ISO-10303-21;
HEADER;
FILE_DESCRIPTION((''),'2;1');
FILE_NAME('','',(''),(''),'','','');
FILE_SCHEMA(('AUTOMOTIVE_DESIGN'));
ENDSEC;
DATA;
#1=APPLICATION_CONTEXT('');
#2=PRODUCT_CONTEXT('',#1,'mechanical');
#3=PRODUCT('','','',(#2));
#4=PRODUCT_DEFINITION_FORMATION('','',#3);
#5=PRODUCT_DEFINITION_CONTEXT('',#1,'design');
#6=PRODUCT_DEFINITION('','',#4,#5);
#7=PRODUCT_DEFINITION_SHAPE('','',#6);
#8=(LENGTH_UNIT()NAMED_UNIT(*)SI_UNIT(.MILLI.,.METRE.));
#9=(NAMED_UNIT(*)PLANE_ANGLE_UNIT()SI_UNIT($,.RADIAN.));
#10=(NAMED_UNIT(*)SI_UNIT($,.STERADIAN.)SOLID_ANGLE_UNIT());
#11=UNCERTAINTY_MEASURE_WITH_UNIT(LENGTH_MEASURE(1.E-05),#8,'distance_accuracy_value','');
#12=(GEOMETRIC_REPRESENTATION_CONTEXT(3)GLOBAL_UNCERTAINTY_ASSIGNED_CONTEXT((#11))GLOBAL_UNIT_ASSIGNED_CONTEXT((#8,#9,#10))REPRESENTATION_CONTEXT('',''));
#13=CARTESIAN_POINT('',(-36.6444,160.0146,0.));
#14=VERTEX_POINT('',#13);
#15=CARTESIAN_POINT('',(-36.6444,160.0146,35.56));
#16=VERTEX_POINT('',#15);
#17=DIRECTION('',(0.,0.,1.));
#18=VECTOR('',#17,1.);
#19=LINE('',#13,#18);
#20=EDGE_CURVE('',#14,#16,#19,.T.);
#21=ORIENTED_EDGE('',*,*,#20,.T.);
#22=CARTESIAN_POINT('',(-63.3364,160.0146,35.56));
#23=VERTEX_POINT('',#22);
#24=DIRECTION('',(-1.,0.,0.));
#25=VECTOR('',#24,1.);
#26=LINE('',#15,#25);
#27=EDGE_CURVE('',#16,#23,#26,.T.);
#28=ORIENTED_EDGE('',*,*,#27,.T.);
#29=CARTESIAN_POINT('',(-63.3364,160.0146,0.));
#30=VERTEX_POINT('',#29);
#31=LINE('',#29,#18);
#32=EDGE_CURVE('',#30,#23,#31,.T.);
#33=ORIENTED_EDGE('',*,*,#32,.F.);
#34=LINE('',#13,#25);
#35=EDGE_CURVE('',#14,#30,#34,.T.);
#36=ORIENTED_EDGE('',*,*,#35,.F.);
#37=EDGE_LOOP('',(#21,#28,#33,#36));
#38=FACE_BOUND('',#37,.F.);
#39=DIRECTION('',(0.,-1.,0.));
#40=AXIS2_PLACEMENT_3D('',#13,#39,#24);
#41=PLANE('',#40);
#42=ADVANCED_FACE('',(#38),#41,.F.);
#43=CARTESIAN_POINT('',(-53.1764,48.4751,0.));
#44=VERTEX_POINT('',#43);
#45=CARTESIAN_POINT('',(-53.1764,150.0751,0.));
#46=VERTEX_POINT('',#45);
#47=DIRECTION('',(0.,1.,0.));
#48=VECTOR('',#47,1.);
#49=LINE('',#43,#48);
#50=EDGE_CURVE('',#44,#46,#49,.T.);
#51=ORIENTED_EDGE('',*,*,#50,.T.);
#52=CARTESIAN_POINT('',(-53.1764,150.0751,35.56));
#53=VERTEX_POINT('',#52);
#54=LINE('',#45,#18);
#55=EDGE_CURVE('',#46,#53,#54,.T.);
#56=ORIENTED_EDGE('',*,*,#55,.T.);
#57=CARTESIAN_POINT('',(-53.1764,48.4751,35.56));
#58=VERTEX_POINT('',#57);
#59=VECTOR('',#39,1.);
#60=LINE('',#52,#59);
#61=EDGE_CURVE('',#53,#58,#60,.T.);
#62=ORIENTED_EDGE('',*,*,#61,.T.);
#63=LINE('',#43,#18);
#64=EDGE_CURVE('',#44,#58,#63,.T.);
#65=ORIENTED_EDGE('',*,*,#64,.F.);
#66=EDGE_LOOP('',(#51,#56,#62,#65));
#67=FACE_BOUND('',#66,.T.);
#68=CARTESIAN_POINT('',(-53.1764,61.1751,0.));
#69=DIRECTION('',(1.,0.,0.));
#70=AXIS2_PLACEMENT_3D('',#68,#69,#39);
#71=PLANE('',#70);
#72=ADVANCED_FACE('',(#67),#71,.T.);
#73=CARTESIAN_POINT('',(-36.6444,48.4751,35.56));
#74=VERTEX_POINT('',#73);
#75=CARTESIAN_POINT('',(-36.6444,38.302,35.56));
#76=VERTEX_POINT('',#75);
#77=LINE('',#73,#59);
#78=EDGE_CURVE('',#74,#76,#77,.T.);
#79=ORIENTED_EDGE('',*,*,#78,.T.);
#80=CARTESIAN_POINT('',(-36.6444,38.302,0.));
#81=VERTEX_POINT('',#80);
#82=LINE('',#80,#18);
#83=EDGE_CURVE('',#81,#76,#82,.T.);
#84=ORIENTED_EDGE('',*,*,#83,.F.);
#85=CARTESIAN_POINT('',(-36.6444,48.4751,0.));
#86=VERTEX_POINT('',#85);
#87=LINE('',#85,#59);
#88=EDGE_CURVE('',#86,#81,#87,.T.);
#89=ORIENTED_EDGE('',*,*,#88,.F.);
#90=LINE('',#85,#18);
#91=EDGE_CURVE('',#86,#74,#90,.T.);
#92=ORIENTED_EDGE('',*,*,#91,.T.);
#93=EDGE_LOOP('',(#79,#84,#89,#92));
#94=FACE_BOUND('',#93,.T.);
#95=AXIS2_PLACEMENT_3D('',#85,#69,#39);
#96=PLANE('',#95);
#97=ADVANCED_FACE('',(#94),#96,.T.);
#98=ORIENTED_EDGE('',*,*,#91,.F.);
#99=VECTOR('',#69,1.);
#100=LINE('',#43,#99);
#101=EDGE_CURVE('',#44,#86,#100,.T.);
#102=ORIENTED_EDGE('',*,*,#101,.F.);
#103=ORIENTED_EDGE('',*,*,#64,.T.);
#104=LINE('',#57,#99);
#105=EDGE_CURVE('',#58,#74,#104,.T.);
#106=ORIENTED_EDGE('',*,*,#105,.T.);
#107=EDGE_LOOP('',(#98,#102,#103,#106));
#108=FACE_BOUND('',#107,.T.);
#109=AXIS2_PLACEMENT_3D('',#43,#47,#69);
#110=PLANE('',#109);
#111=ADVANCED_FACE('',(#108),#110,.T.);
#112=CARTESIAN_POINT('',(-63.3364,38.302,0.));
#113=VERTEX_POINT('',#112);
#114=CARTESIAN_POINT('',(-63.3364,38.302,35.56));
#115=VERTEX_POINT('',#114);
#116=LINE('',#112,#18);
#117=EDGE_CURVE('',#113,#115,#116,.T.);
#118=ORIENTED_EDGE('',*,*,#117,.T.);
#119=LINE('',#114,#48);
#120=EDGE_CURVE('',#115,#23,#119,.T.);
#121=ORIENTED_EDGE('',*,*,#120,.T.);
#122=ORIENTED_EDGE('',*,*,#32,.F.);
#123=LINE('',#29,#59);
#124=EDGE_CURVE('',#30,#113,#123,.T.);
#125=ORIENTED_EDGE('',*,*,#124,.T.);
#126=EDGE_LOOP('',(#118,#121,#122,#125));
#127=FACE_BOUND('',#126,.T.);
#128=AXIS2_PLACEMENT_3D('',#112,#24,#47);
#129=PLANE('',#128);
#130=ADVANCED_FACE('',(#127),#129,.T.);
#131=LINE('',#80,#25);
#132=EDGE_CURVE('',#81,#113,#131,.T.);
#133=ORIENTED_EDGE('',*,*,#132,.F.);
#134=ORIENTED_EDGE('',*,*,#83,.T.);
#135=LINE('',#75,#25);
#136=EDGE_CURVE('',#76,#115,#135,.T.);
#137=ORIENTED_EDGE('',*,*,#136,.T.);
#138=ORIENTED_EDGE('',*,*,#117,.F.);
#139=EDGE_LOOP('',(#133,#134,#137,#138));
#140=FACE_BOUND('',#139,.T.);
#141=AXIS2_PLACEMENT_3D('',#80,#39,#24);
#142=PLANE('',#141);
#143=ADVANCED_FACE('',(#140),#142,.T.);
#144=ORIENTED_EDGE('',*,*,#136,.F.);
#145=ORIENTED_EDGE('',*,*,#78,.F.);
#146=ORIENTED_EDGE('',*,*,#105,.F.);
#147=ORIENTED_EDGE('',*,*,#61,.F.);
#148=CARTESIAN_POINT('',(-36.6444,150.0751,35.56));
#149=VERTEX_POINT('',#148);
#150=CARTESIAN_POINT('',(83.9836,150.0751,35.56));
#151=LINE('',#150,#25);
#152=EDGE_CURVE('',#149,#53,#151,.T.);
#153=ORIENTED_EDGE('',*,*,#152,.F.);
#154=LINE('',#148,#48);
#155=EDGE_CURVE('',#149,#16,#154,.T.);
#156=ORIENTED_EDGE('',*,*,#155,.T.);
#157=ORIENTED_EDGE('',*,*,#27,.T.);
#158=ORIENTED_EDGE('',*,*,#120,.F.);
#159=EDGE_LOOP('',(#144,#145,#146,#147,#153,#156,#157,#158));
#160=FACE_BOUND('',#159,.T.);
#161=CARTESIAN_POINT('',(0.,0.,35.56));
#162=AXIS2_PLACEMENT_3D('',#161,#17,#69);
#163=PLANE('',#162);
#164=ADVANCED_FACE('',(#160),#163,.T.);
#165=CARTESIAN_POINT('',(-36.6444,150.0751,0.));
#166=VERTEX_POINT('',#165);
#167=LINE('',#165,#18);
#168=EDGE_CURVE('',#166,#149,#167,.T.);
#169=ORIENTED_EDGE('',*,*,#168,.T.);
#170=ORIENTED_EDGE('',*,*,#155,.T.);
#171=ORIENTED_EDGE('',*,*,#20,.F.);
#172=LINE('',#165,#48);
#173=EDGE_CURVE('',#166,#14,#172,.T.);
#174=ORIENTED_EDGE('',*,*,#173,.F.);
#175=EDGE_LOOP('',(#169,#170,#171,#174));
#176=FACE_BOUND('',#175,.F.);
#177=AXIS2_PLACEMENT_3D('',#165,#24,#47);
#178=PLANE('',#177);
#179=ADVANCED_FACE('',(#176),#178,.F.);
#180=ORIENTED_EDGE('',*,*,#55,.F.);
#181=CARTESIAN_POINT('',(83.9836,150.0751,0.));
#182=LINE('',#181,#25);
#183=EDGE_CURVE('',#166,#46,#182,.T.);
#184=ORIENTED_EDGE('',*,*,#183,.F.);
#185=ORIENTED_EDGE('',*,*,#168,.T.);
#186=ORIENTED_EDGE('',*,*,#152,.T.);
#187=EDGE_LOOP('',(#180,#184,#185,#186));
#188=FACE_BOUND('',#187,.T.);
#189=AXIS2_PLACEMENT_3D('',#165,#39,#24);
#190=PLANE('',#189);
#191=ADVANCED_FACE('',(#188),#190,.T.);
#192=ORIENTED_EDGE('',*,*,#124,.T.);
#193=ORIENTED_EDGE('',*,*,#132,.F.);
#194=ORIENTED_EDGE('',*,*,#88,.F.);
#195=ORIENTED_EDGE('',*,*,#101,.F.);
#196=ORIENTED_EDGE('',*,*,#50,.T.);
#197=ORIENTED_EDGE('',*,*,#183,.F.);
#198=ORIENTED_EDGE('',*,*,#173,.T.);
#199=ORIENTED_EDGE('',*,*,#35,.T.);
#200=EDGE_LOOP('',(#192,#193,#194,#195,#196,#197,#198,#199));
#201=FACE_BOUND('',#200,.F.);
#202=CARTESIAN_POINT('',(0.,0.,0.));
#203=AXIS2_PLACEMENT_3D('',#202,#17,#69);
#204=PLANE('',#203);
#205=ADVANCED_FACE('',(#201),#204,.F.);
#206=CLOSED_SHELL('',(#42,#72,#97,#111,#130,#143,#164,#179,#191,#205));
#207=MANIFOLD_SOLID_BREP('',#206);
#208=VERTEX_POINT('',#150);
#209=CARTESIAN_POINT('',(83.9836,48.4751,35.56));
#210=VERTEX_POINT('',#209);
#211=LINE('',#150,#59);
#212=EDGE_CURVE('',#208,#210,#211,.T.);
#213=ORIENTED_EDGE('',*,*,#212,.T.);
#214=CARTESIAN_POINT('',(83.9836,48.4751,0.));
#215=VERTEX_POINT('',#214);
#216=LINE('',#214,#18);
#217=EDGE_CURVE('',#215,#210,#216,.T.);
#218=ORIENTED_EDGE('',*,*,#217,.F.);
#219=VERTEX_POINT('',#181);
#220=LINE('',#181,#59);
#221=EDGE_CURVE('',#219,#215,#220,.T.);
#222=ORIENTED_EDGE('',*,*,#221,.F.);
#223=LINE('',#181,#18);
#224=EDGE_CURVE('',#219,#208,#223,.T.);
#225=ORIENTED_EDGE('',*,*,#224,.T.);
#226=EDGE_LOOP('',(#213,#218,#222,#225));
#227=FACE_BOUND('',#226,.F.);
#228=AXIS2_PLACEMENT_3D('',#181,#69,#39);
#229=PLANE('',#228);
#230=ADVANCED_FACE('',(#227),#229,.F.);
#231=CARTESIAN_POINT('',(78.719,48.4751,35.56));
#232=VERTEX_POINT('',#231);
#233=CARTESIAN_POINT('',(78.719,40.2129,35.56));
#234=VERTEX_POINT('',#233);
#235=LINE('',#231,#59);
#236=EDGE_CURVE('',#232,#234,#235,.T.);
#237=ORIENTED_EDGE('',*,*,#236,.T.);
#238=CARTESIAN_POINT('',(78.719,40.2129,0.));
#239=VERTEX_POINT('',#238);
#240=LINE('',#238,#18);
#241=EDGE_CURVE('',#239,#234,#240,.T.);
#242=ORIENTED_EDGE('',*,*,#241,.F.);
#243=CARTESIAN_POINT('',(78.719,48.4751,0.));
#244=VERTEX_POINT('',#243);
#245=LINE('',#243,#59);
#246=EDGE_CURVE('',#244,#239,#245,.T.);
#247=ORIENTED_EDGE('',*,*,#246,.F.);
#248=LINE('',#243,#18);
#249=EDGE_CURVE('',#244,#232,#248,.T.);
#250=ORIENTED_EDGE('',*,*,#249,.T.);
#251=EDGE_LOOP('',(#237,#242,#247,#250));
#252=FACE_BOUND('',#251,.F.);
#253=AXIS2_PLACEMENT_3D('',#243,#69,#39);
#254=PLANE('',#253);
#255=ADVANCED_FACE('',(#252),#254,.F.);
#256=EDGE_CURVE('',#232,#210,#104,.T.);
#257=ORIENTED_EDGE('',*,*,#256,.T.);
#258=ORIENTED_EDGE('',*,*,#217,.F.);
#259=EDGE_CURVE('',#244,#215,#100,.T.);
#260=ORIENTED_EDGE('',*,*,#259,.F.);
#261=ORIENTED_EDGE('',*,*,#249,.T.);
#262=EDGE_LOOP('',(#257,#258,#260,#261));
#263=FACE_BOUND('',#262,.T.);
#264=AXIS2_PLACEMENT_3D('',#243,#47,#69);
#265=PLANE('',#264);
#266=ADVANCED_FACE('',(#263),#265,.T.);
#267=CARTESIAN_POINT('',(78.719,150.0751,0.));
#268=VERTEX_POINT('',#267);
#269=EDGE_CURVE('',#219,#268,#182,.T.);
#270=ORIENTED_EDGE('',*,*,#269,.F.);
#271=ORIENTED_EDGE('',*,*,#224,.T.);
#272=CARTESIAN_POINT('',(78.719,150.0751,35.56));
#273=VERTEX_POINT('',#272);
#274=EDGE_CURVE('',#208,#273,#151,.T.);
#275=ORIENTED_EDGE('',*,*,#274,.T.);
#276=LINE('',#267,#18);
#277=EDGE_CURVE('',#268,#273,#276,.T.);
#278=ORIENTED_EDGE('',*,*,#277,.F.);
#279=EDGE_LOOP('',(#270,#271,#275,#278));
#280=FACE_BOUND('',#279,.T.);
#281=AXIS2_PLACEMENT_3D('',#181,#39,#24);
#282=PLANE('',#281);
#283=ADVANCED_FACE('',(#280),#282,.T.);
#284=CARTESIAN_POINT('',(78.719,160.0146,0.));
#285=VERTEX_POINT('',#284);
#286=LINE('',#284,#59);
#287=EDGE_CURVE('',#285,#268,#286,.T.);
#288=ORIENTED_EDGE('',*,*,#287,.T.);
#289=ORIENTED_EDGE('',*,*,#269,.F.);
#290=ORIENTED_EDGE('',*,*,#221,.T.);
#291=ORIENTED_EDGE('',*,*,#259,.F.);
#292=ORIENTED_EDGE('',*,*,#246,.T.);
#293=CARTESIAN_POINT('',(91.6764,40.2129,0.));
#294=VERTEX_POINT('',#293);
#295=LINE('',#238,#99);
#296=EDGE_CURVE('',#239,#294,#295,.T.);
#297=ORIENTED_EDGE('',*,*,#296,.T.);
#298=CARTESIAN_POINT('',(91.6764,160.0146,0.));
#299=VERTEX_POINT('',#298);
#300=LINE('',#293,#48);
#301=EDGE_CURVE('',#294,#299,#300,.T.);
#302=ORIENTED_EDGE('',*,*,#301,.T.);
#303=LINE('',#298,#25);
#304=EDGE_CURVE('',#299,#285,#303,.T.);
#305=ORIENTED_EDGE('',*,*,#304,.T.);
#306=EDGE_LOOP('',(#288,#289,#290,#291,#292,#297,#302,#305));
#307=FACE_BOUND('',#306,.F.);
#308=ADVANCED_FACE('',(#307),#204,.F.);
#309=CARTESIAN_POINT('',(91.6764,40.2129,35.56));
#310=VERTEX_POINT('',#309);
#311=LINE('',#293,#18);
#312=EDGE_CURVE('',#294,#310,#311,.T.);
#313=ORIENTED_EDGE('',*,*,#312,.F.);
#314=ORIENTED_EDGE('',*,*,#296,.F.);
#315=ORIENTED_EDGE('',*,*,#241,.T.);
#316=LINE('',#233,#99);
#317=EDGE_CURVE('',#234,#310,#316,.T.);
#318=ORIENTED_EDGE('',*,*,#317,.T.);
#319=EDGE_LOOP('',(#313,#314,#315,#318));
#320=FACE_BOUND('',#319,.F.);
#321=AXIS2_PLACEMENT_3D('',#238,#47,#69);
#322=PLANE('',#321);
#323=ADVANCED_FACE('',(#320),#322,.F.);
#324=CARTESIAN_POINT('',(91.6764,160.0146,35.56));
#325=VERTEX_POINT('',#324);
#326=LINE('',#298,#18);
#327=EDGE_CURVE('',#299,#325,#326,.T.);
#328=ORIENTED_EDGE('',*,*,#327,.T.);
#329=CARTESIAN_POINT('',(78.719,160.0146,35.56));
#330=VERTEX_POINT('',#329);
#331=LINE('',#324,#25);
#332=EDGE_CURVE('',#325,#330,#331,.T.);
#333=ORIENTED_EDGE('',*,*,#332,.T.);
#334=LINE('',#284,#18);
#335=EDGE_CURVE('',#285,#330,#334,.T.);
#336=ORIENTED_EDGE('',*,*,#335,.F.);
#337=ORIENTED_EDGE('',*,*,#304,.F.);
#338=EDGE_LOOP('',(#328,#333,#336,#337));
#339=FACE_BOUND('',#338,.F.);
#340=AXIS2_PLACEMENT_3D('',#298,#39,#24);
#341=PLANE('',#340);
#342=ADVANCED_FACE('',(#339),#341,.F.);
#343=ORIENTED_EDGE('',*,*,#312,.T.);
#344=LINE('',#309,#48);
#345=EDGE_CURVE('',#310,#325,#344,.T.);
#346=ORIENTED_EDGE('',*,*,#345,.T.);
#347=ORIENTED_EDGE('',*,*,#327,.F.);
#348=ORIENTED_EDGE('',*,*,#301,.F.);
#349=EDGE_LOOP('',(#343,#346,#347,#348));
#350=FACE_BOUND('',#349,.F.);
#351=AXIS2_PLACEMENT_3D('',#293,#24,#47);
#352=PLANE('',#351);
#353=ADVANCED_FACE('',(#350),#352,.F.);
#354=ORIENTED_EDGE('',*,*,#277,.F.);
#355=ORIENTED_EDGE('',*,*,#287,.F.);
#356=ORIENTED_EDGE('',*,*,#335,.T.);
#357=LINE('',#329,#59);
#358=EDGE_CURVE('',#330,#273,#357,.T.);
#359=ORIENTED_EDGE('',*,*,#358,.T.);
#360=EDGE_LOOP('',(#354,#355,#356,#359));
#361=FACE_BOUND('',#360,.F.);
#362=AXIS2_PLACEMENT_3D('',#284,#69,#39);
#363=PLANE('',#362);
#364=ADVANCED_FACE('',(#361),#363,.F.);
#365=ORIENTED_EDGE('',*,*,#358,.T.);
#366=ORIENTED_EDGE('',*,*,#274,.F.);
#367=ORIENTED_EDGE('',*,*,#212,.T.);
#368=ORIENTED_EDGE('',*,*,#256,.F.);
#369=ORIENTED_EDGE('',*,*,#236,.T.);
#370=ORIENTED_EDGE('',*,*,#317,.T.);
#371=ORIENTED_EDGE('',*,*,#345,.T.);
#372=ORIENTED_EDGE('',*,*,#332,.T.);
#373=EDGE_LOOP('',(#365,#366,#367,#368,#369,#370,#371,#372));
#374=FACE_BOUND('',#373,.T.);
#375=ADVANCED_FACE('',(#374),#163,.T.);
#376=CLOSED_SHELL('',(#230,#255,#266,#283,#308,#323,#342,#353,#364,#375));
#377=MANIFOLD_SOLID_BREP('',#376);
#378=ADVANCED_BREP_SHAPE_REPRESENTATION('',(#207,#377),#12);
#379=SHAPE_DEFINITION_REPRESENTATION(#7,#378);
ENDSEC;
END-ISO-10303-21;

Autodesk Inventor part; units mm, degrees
ref_plane "YZ Plane" through (0, 0, 0) normal (1, 0, 0) x (0, 1, 0)
ref_plane "XZ Plane" through (0, 0, 0) normal (0, 1, 0) x (-1, 0, 0)
ref_plane "XY Plane" through (0, 0, 0) normal (0, 0, 1) x (1, 0, 0)
sketch "Sketch1" plane through (0, 0, 0) normal (0, 0, 1) x (1, 0, 0)
  line L0 (-53.1764, 61.1751) -> (-53.1764, 48.4751) projected
  line L1 (-53.1764, 48.4751) -> (83.9836, 48.4751) projected
  line L2 (-53.1764, 150.0751) -> (-53.1764, 137.3751) projected
  line L3 (83.9836, 150.0751) -> (-53.1764, 150.0751) projected
  line L4 (-53.1764, 61.1751) -> (-53.1764, 48.4751)
  line L5 (-53.1764, 61.1751) -> (-53.1764, 79.1879)
  line L6 (-36.6444, 48.4751) -> (-36.6444, 38.302)
  line L7 (-36.6444, 38.302) -> (-63.3364, 38.302)
  line L8 (-63.3364, 38.302) -> (-63.3364, 79.1879)
  line L9 (83.9836, 150.0751) -> (83.9836, 48.4751)
  line L10 (78.719, 48.4751) -> (78.719, 40.2129)
  line L11 (78.719, 40.2129) -> (91.6764, 40.2129)
  line L12 (91.6764, 40.2129) -> (91.6764, 160.0146)
  line L13 (91.6764, 160.0146) -> (78.719, 160.0146)
  line L14 (78.719, 160.0146) -> (78.719, 150.0751)
  line L15 (83.9836, 150.0751) -> (78.719, 150.0751)
  line L16 (-53.1764, 79.1879) -> (-53.1764, 150.0751)
  line L17 (-36.6444, 150.0751) -> (-36.6444, 160.0146)
  line L18 (-36.6444, 160.0146) -> (-63.3364, 160.0146)
  line L19 (-63.3364, 160.0146) -> (-63.3364, 79.1879)
  point P0 (0, 0)
  dimension "d0" = 10.16
extrude "Extrusion1" add sketch "Sketch1" along normal blind 35.56 contours L0 L1 L6 L7 L8 L19 L18 L17 L3 L2 L16 L5 | L1 L9 L3 L14 L13 L12 L11 L10
properties part number "pitop hold"
